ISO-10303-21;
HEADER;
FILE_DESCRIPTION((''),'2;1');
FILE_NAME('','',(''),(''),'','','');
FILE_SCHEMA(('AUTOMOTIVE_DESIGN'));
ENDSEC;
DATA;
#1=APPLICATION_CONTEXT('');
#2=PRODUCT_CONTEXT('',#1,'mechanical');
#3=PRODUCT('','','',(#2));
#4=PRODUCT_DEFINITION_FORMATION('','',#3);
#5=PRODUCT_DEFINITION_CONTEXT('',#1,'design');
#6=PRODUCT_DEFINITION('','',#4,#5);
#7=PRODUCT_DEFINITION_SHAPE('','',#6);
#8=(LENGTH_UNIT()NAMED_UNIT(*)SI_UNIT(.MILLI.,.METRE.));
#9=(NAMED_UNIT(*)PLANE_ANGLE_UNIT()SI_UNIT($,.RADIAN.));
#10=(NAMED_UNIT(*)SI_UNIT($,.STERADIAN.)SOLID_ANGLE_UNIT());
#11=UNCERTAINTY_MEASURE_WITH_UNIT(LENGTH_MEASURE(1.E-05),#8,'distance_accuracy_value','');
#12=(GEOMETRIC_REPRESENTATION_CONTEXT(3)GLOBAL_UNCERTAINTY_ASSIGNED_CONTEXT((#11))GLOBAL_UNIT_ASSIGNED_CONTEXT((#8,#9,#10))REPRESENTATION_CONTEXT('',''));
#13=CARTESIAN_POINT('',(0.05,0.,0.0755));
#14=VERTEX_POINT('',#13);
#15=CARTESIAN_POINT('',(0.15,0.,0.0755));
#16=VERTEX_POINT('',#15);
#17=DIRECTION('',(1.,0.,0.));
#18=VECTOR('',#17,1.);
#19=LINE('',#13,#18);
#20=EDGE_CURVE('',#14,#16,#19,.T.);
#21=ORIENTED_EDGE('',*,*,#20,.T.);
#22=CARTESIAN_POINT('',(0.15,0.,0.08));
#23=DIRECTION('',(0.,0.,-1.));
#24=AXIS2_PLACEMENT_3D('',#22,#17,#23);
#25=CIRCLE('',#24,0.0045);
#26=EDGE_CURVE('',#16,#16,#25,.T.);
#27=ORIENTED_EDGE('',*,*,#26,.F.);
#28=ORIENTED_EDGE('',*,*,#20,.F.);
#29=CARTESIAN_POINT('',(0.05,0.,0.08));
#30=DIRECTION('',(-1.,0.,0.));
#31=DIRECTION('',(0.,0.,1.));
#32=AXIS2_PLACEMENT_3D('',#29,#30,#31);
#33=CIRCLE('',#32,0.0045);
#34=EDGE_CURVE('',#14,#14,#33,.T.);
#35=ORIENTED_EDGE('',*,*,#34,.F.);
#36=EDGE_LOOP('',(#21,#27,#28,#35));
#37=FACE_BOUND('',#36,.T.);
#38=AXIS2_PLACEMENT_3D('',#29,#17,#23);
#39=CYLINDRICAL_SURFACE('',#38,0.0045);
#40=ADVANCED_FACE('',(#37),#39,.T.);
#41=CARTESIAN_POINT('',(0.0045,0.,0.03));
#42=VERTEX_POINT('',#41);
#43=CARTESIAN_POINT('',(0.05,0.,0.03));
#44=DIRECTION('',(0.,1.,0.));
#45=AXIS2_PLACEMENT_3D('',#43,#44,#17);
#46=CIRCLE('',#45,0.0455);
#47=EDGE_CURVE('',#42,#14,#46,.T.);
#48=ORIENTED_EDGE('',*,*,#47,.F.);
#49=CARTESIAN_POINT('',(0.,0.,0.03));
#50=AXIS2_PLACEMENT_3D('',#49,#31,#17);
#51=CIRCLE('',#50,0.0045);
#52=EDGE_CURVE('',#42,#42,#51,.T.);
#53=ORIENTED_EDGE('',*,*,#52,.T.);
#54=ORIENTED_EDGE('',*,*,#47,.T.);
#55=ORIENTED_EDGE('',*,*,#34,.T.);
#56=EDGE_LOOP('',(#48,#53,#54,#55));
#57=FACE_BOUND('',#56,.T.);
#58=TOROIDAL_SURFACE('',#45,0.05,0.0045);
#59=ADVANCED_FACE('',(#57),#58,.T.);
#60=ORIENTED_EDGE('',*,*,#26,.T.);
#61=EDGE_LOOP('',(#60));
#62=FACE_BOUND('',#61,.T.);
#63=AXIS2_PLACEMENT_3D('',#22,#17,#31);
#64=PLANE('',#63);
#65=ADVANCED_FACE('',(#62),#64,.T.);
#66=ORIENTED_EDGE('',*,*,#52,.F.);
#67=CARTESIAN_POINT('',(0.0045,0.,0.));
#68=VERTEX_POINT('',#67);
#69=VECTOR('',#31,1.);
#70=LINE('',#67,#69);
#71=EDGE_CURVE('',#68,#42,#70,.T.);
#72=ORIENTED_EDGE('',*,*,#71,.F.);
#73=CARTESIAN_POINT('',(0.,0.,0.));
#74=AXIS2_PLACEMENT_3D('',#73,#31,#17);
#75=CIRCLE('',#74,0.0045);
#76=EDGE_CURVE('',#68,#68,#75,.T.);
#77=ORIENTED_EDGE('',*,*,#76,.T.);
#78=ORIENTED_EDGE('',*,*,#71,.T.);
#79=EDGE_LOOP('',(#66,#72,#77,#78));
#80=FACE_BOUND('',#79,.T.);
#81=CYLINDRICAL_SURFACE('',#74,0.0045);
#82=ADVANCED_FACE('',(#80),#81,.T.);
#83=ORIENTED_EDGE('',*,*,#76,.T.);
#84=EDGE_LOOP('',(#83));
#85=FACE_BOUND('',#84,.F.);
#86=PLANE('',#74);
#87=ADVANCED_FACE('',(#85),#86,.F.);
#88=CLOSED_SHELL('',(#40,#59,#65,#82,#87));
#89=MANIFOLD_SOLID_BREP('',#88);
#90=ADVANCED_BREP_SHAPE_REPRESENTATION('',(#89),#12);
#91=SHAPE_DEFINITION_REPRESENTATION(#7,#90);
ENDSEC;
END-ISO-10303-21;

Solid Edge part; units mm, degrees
sketch "Sketch1" plane through (0, 0, 0) normal (0, -1, 0) x (1, 0, 0)
  line L0 (0.05, 0.08) -> (0.15, 0.08)
  line L1 (0, 0) -> (0, 0.03)
  arc A0 (0, 0.03) -> (0.05, 0.08) centre (0.05, 0.03) cw
sketch "Sketch2" plane through (0, 0, 0) normal (0, 0, 1) x (1, 0, 0)
  circle A0 centre (0, 0) radius 0.0045
  dimension "D1" = 0.009
sweep "SweptProtrusion1" add profiles "Sketch2" path "Sketch1"
